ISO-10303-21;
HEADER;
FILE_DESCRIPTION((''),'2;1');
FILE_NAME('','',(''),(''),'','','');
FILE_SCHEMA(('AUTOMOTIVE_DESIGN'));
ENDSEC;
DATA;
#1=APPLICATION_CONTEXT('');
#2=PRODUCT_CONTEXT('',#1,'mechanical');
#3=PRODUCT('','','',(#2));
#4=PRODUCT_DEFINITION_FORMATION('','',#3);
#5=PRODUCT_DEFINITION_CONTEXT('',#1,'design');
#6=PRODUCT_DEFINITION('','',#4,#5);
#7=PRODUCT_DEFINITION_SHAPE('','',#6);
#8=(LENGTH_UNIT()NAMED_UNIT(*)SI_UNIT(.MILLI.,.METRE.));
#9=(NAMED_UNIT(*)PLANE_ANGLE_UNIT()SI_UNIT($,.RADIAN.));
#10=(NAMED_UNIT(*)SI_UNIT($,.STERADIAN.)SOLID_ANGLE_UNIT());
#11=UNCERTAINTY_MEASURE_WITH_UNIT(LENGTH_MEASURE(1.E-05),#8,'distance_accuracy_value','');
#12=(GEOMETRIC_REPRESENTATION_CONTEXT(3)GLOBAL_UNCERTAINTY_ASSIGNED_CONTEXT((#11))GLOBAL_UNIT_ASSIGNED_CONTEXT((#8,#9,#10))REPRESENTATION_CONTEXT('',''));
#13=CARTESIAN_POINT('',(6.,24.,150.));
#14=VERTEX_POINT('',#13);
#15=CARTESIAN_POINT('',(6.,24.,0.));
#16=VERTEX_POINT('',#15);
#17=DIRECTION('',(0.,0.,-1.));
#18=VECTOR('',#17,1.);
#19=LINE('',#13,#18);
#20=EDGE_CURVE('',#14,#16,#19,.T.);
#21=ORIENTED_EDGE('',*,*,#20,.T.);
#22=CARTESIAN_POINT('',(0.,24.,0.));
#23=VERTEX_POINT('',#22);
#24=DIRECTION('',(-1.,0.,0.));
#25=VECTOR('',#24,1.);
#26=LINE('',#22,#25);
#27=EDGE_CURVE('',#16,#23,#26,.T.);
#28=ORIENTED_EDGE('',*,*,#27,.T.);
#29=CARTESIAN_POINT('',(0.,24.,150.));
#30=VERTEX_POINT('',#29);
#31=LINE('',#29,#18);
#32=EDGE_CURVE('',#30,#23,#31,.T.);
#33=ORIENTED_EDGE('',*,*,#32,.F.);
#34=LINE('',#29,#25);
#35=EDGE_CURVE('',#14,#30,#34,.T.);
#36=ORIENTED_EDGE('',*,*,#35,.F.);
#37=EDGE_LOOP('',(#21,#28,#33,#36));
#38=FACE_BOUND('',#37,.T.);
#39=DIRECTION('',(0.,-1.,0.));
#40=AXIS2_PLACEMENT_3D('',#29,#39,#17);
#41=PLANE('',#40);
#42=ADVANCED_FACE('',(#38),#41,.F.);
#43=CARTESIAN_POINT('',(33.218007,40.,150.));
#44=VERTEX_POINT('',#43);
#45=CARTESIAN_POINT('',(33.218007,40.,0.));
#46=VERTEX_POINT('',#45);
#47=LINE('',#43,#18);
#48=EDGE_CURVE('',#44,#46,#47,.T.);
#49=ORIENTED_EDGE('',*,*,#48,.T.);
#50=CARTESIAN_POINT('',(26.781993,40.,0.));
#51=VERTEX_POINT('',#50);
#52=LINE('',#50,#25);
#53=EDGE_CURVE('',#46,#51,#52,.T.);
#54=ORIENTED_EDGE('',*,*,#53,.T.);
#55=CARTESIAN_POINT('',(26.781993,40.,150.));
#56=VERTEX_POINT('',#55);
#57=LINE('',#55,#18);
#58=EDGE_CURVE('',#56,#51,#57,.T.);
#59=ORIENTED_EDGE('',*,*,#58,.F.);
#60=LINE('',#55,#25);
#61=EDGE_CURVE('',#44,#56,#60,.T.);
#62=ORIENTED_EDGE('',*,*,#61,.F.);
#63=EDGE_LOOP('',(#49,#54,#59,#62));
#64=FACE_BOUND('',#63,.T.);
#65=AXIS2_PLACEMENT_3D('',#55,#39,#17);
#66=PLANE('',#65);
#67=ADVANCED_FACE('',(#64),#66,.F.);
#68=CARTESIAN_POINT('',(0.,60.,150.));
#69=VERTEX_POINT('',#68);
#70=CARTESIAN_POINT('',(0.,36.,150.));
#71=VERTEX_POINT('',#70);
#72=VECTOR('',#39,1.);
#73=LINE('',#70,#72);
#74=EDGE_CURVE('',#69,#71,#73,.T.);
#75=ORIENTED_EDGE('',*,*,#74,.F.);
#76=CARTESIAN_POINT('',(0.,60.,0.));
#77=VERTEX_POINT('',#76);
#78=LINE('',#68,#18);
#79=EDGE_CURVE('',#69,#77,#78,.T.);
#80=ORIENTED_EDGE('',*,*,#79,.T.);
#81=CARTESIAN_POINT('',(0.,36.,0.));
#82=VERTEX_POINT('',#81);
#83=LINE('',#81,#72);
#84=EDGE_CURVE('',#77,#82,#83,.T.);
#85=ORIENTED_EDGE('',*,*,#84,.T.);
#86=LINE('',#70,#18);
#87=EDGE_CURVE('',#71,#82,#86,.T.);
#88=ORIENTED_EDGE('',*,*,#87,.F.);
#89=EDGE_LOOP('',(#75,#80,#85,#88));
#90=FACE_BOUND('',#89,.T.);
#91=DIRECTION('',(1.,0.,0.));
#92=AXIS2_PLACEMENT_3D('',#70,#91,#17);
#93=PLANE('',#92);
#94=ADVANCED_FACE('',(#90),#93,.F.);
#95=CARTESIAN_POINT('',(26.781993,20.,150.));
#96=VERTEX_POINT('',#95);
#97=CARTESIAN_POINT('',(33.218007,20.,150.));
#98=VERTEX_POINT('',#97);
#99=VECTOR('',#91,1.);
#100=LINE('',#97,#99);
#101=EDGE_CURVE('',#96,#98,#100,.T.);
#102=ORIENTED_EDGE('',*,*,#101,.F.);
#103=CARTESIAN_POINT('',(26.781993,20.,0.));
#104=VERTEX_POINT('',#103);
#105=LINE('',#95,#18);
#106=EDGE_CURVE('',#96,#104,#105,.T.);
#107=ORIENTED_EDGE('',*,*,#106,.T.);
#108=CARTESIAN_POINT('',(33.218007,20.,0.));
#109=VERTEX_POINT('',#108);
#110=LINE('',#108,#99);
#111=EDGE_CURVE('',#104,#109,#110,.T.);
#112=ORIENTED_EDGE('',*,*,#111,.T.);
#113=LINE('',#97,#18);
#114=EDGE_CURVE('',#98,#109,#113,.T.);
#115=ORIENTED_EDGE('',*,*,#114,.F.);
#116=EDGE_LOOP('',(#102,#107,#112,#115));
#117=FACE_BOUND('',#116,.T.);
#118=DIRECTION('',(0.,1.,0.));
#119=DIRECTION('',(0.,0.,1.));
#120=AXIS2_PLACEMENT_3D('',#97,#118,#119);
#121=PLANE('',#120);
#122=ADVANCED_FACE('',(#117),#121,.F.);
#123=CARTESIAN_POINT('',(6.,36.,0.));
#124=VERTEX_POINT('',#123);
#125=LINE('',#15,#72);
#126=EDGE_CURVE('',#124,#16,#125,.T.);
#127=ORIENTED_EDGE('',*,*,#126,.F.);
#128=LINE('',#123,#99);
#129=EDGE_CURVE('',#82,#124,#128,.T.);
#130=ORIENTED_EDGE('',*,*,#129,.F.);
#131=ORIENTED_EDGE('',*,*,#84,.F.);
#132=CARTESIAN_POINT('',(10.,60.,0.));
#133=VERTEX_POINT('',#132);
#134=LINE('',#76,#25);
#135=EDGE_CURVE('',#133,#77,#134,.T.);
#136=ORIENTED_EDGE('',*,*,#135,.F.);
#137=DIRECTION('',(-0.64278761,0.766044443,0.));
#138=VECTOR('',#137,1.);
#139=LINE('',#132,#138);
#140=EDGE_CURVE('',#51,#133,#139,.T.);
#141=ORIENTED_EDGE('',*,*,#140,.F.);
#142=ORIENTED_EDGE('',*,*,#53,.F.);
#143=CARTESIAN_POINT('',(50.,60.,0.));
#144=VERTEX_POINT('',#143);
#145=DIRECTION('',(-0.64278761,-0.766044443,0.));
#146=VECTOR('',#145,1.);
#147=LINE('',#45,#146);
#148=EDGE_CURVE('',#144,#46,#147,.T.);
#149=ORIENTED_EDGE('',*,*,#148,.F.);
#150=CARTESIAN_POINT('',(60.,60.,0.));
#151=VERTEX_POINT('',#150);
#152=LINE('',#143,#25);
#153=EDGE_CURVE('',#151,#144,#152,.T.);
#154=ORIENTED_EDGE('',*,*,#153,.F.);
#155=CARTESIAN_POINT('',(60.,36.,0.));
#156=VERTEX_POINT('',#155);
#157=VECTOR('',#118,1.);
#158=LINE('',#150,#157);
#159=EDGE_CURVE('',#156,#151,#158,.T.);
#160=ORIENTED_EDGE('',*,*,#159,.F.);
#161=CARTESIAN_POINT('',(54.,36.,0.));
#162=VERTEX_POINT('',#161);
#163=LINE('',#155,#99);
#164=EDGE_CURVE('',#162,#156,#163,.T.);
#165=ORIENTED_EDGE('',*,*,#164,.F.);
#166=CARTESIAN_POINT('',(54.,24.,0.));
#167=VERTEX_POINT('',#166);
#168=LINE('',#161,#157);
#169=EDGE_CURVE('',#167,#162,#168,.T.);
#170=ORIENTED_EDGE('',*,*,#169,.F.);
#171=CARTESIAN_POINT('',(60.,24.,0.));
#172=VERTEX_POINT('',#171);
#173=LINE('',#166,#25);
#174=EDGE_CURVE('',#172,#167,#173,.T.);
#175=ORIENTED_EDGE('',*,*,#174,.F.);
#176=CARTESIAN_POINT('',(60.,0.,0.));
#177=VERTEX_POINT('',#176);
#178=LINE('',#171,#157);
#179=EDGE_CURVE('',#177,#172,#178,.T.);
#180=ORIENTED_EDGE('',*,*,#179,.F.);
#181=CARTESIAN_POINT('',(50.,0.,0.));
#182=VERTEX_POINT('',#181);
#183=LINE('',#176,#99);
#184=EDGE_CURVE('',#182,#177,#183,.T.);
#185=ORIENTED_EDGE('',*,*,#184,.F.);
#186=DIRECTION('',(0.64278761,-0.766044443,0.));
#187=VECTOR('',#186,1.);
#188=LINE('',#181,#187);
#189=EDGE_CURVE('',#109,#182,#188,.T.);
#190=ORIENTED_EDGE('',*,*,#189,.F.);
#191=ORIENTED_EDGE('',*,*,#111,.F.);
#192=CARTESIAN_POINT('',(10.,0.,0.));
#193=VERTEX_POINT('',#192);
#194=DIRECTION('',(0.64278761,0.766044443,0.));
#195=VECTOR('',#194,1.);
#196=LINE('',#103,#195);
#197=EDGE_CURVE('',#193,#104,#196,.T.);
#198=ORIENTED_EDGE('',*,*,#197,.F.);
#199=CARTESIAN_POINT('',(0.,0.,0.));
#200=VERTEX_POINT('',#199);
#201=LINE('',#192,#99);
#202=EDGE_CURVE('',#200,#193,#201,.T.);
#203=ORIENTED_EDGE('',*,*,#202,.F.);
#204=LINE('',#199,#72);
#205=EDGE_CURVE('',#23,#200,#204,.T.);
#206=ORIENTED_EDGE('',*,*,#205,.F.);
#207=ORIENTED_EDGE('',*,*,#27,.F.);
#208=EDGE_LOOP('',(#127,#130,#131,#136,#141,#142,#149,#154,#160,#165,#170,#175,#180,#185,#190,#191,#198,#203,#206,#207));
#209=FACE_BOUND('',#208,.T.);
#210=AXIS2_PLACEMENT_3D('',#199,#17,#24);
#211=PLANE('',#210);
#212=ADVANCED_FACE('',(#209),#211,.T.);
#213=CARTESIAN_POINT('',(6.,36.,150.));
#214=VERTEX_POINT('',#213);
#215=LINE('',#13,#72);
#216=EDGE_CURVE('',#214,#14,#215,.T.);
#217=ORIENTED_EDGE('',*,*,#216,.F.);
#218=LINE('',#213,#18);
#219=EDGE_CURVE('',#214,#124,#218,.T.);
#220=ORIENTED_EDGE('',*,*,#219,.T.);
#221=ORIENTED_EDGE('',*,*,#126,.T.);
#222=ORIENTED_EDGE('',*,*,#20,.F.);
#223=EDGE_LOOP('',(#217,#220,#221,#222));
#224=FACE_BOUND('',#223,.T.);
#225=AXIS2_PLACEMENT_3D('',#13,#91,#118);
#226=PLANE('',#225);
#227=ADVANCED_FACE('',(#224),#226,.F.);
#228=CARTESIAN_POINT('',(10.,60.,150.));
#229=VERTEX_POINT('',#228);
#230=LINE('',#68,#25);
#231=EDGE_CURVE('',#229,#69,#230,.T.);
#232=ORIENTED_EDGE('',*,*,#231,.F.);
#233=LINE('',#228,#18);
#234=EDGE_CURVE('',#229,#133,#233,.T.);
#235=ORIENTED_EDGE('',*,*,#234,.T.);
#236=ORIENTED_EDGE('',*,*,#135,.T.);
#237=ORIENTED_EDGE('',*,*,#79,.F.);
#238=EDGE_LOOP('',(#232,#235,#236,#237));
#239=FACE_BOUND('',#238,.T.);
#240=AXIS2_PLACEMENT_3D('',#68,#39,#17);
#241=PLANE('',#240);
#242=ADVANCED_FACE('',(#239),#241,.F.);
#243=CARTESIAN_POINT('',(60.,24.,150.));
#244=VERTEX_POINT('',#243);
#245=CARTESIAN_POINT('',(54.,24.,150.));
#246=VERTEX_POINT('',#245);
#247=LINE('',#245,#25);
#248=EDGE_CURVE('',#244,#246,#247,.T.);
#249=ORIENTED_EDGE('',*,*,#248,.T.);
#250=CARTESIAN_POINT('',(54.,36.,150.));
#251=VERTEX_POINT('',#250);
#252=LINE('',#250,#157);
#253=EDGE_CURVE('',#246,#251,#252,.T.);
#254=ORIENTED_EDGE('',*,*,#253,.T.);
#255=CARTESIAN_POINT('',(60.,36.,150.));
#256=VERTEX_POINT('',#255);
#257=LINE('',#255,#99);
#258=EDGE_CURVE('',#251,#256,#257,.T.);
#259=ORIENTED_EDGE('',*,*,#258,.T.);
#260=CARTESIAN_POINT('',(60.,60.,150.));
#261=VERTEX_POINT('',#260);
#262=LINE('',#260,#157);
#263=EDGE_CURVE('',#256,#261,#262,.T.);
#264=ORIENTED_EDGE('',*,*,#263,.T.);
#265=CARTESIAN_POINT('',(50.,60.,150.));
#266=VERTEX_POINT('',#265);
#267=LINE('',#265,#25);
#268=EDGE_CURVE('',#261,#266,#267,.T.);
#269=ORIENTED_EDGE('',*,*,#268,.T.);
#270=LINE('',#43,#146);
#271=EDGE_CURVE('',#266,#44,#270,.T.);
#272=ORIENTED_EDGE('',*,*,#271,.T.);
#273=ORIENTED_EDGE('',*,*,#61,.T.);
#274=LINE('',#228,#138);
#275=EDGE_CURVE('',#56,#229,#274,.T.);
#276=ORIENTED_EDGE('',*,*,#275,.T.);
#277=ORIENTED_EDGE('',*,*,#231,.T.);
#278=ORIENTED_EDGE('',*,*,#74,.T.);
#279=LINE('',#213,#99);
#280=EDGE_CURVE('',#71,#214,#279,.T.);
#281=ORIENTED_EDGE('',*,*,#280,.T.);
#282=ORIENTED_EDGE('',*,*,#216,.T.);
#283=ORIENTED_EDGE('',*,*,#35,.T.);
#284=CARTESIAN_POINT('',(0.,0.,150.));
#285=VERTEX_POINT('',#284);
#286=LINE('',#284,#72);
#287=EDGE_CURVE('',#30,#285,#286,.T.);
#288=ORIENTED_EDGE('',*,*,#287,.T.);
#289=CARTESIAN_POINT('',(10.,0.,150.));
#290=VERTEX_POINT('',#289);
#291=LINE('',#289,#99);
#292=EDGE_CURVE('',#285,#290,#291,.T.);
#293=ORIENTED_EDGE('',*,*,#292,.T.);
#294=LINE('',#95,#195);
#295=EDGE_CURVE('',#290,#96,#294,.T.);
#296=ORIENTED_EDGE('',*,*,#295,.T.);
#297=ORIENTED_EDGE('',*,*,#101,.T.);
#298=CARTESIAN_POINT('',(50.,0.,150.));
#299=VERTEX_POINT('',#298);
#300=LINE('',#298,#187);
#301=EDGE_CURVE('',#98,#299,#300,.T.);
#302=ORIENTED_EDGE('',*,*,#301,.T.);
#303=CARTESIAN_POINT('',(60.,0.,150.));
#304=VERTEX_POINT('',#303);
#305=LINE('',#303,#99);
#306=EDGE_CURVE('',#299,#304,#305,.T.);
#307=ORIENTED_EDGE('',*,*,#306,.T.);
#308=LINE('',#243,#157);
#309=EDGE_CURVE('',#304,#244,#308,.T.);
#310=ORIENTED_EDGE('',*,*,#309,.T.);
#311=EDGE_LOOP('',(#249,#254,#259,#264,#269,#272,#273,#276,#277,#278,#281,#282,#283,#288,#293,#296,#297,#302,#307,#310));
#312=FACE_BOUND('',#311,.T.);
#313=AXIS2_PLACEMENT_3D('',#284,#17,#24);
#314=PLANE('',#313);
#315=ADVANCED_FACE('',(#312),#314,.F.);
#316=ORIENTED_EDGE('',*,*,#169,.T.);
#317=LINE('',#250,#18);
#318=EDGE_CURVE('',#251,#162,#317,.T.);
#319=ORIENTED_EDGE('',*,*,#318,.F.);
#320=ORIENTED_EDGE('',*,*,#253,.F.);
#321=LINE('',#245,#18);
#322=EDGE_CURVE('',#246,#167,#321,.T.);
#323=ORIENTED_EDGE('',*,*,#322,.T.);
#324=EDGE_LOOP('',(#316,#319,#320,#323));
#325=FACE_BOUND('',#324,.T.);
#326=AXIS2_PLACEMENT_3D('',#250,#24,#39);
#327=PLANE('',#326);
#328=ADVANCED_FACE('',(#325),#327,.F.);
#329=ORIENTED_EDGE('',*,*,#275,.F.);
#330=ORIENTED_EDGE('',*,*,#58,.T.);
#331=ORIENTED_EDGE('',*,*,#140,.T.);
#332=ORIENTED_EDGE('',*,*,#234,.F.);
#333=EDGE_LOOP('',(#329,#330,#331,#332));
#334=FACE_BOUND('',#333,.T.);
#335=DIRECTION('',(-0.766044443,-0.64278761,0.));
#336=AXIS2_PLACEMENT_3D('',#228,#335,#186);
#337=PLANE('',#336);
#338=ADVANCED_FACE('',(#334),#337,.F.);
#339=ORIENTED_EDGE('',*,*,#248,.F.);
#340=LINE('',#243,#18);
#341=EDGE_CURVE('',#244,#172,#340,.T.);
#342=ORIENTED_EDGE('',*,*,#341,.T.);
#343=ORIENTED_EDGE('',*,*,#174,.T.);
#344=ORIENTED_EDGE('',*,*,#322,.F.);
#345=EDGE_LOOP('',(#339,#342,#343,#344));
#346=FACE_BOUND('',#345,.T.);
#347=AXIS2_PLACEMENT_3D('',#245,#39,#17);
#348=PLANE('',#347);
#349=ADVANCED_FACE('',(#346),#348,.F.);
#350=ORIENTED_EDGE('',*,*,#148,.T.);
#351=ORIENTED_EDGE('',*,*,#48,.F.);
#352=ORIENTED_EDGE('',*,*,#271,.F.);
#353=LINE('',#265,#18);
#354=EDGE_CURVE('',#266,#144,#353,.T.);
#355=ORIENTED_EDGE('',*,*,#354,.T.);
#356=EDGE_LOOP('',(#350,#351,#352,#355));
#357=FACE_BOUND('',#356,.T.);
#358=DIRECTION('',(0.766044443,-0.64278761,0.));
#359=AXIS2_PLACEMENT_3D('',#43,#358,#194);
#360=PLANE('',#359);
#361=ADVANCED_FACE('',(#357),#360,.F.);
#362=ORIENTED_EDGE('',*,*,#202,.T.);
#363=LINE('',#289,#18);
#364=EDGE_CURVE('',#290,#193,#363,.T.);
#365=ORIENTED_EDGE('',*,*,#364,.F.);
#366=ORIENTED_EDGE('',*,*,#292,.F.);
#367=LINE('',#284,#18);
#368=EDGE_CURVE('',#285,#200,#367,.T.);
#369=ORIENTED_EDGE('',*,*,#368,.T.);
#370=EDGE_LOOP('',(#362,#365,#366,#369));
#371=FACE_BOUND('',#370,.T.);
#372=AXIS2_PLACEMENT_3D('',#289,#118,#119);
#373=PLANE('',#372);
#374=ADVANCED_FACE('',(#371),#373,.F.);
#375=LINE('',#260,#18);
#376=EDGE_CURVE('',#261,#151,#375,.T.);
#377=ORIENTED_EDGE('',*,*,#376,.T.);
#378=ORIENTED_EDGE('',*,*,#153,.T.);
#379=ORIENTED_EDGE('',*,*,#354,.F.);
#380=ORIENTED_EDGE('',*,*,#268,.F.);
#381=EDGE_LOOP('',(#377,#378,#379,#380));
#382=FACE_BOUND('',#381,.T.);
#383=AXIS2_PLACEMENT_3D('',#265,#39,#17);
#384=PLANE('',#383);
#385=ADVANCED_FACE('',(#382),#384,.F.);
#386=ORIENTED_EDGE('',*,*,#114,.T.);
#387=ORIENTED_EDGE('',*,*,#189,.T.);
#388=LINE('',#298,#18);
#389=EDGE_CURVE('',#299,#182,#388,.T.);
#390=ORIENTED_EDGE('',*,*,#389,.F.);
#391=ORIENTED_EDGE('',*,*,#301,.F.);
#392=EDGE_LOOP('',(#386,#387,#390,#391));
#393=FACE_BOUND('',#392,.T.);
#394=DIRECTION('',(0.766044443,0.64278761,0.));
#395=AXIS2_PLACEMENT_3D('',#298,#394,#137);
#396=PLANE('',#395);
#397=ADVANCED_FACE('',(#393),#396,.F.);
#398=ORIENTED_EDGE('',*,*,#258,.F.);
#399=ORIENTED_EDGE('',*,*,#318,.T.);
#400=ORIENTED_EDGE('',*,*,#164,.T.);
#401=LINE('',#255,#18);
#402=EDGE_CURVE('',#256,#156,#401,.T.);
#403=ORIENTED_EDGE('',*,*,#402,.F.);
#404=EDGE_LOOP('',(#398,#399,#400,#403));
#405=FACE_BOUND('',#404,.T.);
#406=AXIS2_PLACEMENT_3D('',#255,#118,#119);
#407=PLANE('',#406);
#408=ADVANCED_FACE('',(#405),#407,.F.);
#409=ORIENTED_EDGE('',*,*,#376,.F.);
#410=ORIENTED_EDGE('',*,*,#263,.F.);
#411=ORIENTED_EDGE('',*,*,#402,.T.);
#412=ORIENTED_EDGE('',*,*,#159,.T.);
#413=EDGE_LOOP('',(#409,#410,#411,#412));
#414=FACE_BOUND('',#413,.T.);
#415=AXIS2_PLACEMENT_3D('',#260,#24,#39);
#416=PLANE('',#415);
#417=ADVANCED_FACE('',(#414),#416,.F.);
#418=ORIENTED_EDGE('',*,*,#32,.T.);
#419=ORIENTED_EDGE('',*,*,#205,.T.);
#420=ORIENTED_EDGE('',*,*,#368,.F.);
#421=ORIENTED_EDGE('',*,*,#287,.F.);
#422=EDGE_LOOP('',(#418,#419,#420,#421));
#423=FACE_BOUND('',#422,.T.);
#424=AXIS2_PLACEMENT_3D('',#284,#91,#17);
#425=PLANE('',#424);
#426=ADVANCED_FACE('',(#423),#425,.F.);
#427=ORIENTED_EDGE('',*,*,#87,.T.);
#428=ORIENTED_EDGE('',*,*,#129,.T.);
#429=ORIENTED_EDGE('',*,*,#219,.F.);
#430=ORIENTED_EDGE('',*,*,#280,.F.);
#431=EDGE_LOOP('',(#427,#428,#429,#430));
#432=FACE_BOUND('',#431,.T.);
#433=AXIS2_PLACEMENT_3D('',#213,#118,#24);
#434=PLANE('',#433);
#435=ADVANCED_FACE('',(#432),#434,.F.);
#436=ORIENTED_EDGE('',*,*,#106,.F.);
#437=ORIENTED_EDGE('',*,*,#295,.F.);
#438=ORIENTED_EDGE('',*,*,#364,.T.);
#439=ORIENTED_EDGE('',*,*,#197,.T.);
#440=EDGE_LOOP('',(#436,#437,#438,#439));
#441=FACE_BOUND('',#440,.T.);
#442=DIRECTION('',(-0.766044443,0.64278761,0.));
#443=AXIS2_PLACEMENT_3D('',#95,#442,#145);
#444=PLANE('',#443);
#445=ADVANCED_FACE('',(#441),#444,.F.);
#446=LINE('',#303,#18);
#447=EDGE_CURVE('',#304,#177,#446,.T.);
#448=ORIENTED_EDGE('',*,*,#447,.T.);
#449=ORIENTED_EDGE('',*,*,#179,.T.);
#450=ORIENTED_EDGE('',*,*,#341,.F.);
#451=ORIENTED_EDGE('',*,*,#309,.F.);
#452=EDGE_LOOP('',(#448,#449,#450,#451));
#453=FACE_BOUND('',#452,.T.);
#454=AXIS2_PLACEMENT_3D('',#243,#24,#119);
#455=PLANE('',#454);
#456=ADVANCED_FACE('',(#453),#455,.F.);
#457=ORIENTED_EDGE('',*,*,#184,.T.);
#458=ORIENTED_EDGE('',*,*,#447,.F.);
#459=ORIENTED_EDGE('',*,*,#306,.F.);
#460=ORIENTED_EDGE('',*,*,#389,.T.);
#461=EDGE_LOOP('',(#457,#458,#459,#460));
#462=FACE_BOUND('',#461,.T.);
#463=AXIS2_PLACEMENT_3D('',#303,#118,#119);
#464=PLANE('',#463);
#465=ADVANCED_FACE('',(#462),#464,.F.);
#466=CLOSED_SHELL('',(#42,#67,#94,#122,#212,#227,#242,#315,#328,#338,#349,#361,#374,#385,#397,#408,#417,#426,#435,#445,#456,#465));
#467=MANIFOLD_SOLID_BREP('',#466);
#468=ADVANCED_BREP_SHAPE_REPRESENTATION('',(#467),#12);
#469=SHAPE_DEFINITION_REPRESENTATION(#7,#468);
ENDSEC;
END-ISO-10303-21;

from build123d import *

# Parameters (mm, degrees)
BOSS_EXTRUDE1_DEPTH = 150


with BuildPart() as part:
    # Sketch1 → Boss-Extrude1 (new body)
    with BuildSketch(Plane.XY):
        Polygon((0, 0), (0, 24), (6, 24), (6, 36), (0, 36), (0, 60), (10, 60), (26.781992624, 40), (33.218007376, 40), (50, 60), (60, 60), (60, 36), (54, 36), (54, 24), (60, 24), (60, 0), (50, 0), (33.218007376, 20), (26.781992624, 20), (10, 0), align=None)
    extrude(amount=BOSS_EXTRUDE1_DEPTH)


solid = part.part
